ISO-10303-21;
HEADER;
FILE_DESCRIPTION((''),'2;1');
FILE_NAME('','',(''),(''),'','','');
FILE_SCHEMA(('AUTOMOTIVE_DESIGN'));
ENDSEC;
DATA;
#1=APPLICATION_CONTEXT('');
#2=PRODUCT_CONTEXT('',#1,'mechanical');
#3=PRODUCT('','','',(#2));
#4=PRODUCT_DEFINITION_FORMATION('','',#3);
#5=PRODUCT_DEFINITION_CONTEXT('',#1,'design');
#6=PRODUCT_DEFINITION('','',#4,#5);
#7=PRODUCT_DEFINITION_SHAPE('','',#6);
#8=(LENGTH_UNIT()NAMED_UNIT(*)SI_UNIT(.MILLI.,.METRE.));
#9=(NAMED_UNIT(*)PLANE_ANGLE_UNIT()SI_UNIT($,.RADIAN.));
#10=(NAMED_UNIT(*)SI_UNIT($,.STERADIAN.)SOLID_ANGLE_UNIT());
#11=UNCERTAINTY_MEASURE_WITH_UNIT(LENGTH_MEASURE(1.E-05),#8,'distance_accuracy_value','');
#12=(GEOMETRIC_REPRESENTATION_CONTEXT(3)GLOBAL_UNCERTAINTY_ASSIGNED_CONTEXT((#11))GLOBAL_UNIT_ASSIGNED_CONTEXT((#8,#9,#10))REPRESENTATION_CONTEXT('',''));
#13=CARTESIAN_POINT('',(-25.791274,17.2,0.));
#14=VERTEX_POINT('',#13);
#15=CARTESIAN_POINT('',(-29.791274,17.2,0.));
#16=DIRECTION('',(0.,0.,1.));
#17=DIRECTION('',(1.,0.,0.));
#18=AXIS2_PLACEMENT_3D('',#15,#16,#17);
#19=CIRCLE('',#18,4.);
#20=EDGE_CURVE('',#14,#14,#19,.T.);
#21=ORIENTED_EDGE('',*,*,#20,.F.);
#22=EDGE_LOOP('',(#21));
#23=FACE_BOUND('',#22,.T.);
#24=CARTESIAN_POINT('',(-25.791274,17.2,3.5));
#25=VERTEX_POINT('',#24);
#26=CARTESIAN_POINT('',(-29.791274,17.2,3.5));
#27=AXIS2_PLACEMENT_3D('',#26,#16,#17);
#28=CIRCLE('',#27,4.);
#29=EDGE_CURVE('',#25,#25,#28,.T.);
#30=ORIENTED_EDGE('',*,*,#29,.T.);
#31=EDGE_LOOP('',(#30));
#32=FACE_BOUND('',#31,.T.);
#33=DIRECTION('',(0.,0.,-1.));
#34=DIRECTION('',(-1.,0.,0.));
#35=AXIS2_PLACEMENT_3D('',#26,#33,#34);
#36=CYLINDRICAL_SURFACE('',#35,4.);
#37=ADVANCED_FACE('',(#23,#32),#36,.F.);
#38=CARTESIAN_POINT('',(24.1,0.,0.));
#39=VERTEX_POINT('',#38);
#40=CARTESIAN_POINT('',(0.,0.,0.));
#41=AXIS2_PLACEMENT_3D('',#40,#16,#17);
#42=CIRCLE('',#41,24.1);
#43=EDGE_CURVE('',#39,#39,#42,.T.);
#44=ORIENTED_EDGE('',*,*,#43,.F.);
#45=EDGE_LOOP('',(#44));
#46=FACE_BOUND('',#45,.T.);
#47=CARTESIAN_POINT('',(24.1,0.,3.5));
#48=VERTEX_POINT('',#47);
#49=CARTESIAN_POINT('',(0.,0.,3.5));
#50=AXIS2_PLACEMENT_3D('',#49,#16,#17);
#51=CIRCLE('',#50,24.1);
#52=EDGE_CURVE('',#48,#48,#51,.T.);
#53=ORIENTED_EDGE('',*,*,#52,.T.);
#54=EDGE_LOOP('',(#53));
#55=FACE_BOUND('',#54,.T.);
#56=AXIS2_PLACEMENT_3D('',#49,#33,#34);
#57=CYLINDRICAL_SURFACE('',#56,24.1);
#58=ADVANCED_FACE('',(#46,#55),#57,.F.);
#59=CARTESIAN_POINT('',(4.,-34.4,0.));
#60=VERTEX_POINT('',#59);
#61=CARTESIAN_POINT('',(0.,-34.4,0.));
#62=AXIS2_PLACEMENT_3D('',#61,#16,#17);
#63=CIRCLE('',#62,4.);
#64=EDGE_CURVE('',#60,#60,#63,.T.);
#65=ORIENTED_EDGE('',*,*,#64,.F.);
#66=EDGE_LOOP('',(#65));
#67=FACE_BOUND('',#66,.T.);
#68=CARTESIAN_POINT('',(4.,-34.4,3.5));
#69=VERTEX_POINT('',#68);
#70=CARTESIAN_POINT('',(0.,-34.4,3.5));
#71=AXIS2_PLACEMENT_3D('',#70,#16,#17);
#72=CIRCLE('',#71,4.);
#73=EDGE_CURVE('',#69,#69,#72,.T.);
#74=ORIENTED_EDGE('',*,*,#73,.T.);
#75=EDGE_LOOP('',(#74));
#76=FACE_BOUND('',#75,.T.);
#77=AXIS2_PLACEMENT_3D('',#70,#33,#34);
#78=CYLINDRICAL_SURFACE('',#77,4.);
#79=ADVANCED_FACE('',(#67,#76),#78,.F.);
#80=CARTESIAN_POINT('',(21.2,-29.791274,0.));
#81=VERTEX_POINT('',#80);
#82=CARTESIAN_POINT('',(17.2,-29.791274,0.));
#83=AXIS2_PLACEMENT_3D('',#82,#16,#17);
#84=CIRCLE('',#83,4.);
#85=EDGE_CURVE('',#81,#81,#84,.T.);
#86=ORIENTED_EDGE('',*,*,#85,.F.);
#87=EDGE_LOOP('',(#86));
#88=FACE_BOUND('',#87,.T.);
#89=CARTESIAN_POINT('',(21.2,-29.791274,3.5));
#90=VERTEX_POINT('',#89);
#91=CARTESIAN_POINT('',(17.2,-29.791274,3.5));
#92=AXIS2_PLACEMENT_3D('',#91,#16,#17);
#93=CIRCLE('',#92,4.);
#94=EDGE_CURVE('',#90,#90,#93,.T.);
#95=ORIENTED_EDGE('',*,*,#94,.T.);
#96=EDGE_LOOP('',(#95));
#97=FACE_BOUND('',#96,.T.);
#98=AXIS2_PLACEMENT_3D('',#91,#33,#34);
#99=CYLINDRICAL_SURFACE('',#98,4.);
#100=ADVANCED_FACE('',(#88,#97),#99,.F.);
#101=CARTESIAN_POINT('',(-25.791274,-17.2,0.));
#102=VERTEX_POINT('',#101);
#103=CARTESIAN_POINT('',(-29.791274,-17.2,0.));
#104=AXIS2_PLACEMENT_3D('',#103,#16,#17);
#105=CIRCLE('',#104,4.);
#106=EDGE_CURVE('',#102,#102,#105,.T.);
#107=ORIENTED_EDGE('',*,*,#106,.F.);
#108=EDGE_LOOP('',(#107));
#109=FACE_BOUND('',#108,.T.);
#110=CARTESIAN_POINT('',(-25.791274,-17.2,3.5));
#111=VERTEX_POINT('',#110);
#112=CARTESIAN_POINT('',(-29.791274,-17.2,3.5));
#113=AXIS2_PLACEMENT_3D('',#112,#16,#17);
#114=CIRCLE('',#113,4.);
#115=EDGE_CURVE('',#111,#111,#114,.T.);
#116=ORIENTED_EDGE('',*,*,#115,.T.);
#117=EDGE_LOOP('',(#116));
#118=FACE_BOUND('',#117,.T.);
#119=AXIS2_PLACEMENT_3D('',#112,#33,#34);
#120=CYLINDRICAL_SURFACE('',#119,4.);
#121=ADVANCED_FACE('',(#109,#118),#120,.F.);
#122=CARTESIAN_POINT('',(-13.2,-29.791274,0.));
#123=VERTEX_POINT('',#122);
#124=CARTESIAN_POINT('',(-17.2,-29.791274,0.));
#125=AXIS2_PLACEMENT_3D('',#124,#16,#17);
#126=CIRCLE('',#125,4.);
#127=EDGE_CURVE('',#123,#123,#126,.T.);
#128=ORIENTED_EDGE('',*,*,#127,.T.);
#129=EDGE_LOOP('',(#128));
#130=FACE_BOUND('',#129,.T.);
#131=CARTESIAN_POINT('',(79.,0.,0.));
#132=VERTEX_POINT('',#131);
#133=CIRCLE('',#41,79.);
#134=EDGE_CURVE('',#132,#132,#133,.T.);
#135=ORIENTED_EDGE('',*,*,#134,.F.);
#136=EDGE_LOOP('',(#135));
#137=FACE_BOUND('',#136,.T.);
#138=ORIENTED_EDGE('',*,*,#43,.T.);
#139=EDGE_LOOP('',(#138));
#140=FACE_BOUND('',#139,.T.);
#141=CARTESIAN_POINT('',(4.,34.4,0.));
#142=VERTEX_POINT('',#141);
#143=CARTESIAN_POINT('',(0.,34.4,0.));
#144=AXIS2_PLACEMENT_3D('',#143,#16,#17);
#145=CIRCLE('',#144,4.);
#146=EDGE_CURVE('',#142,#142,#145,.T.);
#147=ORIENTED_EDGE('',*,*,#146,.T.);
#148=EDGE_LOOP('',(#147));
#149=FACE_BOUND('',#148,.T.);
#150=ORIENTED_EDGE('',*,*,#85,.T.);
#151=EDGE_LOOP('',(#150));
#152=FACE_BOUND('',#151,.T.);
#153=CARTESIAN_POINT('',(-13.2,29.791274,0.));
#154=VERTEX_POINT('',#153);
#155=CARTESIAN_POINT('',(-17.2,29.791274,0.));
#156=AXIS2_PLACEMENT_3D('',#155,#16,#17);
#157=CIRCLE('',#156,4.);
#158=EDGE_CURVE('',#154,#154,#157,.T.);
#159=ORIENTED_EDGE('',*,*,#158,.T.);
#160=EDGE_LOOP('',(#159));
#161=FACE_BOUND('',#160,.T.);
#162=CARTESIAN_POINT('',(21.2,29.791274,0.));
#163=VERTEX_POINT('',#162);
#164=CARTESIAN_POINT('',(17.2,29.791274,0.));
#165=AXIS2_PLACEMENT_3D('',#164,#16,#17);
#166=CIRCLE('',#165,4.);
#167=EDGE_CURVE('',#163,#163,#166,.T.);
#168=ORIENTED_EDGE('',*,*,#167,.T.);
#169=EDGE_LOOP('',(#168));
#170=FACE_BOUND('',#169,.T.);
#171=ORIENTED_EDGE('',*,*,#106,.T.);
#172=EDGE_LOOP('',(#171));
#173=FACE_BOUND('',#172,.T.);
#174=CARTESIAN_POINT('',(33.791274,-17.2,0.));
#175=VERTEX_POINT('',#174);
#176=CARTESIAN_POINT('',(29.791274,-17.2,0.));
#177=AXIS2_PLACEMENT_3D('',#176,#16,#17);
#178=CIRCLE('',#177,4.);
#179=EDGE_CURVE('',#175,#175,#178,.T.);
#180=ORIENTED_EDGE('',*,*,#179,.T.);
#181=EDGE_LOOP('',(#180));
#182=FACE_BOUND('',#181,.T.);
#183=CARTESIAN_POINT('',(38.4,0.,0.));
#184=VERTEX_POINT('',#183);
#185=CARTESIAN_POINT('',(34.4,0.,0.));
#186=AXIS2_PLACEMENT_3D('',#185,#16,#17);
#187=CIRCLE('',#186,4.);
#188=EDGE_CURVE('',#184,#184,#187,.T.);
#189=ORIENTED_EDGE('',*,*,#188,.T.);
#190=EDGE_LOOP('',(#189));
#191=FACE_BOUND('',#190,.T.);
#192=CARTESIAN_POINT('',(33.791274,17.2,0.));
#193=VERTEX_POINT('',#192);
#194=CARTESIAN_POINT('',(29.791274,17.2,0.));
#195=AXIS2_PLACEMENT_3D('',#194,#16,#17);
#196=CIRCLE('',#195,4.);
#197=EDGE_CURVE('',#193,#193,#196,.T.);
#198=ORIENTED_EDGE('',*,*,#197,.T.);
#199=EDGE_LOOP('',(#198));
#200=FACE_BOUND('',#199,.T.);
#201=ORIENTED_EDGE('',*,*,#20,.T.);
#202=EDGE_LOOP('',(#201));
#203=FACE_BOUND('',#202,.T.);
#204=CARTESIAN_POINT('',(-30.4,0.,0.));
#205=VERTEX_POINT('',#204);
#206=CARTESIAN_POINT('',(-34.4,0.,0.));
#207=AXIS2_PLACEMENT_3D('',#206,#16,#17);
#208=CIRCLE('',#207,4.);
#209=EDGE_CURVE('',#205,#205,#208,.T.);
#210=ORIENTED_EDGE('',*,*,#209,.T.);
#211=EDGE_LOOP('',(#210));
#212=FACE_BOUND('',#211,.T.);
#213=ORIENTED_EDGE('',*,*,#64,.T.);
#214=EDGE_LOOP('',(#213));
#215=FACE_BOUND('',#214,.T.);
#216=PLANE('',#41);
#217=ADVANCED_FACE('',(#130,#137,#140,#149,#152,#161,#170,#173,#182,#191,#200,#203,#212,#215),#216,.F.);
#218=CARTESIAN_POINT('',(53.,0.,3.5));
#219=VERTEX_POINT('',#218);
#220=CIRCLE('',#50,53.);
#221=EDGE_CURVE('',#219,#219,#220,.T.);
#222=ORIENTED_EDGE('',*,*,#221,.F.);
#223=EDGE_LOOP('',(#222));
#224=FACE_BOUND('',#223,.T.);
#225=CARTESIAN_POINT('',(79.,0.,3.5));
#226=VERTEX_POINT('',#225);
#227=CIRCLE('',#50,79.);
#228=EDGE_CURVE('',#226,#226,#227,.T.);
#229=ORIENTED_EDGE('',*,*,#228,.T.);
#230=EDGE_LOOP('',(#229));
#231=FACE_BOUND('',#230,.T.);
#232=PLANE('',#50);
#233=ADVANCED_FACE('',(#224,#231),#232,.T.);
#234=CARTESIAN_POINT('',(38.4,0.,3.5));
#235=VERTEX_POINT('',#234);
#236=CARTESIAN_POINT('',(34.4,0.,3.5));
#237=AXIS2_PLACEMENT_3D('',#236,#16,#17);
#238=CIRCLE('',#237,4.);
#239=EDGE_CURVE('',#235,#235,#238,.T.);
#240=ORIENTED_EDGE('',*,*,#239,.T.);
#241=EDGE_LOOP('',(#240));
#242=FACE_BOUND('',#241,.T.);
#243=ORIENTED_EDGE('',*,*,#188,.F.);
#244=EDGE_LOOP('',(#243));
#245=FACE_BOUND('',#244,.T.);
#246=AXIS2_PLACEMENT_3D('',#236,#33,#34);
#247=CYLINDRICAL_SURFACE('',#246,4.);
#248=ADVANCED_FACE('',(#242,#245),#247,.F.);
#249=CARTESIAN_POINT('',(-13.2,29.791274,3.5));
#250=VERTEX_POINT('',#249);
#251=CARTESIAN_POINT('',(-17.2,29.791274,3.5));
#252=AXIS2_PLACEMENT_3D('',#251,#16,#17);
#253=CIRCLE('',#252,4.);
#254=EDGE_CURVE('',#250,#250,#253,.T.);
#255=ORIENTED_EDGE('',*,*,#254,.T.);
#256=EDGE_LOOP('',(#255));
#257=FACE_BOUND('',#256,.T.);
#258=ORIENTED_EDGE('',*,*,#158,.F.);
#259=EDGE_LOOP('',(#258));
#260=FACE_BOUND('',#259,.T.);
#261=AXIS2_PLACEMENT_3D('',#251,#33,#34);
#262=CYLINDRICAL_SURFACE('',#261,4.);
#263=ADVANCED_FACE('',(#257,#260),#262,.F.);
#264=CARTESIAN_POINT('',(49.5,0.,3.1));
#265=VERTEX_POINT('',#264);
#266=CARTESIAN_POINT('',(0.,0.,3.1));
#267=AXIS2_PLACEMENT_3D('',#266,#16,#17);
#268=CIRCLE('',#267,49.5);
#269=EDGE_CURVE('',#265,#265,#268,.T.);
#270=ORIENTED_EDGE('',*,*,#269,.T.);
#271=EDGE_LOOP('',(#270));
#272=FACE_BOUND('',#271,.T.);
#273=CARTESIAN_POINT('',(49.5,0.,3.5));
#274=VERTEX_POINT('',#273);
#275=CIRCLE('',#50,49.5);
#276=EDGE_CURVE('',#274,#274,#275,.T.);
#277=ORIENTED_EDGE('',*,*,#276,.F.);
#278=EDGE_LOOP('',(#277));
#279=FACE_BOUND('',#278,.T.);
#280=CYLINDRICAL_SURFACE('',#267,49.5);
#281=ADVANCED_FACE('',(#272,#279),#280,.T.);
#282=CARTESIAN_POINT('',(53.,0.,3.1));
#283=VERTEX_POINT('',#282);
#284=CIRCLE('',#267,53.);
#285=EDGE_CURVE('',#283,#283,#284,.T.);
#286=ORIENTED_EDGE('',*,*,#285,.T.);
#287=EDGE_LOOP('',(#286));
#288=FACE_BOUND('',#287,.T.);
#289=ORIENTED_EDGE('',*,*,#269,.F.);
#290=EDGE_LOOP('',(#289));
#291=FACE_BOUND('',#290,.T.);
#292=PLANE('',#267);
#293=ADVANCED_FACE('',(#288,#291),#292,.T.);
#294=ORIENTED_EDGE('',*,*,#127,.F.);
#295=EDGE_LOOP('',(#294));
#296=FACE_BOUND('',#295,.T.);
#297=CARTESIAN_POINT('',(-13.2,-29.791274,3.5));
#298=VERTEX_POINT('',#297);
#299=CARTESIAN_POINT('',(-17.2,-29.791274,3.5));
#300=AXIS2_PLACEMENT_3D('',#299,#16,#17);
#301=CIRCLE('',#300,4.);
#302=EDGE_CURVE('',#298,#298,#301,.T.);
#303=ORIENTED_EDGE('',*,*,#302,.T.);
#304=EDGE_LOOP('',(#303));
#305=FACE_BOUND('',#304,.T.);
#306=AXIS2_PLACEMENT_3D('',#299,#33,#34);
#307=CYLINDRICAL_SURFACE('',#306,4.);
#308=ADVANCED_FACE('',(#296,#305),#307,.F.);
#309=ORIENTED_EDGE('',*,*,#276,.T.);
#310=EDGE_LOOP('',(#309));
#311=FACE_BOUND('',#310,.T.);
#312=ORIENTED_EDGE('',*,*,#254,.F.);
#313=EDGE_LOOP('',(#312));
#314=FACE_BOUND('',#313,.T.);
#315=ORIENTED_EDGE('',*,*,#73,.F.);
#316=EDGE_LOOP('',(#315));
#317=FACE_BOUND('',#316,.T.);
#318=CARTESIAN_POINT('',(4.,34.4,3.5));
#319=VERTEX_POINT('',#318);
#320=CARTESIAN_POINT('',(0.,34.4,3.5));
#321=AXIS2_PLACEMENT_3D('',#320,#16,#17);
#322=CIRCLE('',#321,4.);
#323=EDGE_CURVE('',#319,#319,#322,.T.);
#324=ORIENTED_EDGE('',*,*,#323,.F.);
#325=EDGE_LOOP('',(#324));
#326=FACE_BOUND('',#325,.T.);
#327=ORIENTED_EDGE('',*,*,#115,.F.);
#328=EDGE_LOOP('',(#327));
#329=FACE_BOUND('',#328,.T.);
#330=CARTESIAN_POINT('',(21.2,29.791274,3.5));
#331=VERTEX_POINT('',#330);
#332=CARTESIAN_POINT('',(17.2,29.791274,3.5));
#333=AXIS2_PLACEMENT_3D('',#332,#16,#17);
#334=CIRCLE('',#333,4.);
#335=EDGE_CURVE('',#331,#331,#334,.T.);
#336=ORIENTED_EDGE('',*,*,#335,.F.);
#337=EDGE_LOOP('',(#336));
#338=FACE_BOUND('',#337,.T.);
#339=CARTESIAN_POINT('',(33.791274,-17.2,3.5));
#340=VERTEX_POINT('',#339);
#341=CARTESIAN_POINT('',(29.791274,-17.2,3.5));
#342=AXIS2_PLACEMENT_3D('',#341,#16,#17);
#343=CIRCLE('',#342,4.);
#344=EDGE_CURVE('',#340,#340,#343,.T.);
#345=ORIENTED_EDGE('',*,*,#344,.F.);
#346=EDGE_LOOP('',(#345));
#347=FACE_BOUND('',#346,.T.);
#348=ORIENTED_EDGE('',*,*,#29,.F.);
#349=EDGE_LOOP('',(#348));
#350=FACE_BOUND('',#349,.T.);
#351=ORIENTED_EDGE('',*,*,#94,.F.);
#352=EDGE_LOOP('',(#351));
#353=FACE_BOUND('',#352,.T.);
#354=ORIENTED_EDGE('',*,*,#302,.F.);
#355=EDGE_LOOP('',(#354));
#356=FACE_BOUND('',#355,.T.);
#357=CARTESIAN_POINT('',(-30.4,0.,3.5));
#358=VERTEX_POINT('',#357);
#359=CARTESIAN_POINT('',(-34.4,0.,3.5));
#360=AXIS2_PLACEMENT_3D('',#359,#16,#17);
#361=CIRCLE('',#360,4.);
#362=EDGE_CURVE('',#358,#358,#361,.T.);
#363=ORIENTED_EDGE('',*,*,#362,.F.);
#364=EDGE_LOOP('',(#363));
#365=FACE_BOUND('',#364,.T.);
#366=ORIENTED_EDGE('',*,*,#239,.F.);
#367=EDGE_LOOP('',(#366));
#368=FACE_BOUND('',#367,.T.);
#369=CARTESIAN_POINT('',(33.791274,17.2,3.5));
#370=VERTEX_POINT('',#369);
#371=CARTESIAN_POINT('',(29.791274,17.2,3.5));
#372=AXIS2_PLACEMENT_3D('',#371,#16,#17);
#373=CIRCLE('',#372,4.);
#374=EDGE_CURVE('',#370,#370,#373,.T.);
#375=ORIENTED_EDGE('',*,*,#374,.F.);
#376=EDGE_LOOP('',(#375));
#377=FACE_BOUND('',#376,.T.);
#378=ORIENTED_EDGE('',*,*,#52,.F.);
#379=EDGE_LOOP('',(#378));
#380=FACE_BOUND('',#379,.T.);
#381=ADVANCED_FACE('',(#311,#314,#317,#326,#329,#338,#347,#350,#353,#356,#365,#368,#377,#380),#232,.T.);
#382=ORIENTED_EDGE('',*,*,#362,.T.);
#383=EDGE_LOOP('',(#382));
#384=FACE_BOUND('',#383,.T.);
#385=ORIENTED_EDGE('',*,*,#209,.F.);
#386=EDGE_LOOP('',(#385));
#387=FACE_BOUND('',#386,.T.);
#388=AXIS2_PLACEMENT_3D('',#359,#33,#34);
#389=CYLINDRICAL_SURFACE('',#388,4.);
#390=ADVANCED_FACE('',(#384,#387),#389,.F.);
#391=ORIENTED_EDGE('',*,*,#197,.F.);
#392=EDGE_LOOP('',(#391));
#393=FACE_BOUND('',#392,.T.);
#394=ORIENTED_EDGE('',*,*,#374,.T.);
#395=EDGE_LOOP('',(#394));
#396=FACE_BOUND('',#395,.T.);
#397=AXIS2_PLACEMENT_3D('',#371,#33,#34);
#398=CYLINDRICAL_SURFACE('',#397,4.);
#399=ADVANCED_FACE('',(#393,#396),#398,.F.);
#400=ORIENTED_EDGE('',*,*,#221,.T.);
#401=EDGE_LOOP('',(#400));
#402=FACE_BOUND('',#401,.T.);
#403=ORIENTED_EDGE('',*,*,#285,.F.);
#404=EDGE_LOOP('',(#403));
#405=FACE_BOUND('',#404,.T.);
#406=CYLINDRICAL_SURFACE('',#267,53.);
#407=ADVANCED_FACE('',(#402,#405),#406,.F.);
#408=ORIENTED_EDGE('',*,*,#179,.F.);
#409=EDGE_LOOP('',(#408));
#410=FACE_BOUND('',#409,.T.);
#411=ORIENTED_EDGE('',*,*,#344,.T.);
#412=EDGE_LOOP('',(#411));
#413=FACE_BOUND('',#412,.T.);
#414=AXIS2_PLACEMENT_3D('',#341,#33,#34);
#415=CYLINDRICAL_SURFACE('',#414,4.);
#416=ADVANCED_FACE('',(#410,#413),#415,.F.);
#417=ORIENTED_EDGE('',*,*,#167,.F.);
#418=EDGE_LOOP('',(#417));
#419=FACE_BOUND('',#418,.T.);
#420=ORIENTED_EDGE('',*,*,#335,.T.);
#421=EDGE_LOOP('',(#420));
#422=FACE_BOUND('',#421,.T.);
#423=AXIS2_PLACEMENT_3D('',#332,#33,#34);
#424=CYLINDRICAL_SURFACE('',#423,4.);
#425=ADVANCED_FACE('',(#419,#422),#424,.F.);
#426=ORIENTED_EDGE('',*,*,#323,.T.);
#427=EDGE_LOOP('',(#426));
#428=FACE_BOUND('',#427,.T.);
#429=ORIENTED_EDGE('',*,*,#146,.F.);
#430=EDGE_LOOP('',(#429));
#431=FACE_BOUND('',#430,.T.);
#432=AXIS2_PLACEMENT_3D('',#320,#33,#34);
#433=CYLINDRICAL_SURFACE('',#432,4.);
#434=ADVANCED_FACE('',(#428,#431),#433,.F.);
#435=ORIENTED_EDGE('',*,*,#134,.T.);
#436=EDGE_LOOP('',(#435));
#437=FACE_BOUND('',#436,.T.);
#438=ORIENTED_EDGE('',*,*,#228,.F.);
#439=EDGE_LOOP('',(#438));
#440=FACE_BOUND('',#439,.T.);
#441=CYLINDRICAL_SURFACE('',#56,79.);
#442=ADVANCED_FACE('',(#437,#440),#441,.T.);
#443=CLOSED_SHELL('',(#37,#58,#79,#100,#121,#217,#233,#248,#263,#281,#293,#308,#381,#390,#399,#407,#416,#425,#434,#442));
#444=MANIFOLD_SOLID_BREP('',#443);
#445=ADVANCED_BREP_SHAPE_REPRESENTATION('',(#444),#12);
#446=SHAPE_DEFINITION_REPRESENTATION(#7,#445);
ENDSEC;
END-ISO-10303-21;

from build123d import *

# Parameters (mm, degrees)
SKETCH1_R           = 79
BOSS_EXTRUDE1_DEPTH = 3.5
SKETCH2_R           = 4
SKETCH2_R_2         = 24.1
CUT_EXTRUDE1_DEPTH  = 112.777681135
SKETCH3_R           = 53
SKETCH3_R_2         = 49.5
CUT_EXTRUDE2_DEPTH  = 0.4


with BuildPart() as part:
    # Sketch1 → Boss-Extrude1 (new body)
    with BuildSketch(Plane.XY):
        Circle(SKETCH1_R)
    extrude(amount=BOSS_EXTRUDE1_DEPTH)

    # Sketch2 → Cut-Extrude1 (cut, through all)
    with BuildSketch(Plane.XY):
        with Locations((34.4, 0)):
            Circle(SKETCH2_R)
        with Locations((29.79127389, -17.2)):
            Circle(SKETCH2_R)
        with Locations((17.2, -29.79127389)):
            Circle(SKETCH2_R)
        with Locations((0, -34.4)):
            Circle(SKETCH2_R)
        with Locations((-17.2, -29.79127389)):
            Circle(SKETCH2_R)
        with Locations((-29.79127389, -17.2)):
            Circle(SKETCH2_R)
        with Locations((-34.4, 0)):
            Circle(SKETCH2_R)
        with Locations((-29.79127389, 17.2)):
            Circle(SKETCH2_R)
        with Locations((-17.2, 29.79127389)):
            Circle(SKETCH2_R)
        with Locations((0, 34.4)):
            Circle(SKETCH2_R)
        with Locations((17.2, 29.79127389)):
            Circle(SKETCH2_R)
        with Locations((29.79127389, 17.2)):
            Circle(SKETCH2_R)
        Circle(SKETCH2_R_2)
    extrude(amount=CUT_EXTRUDE1_DEPTH, mode=Mode.SUBTRACT)

    # Sketch3 → Cut-Extrude2 (cut)
    with BuildSketch(Plane.XY.offset(3.5)):
        Circle(SKETCH3_R)
        Circle(SKETCH3_R_2, mode=Mode.SUBTRACT)
    extrude(amount=-CUT_EXTRUDE2_DEPTH, mode=Mode.SUBTRACT)


solid = part.part
